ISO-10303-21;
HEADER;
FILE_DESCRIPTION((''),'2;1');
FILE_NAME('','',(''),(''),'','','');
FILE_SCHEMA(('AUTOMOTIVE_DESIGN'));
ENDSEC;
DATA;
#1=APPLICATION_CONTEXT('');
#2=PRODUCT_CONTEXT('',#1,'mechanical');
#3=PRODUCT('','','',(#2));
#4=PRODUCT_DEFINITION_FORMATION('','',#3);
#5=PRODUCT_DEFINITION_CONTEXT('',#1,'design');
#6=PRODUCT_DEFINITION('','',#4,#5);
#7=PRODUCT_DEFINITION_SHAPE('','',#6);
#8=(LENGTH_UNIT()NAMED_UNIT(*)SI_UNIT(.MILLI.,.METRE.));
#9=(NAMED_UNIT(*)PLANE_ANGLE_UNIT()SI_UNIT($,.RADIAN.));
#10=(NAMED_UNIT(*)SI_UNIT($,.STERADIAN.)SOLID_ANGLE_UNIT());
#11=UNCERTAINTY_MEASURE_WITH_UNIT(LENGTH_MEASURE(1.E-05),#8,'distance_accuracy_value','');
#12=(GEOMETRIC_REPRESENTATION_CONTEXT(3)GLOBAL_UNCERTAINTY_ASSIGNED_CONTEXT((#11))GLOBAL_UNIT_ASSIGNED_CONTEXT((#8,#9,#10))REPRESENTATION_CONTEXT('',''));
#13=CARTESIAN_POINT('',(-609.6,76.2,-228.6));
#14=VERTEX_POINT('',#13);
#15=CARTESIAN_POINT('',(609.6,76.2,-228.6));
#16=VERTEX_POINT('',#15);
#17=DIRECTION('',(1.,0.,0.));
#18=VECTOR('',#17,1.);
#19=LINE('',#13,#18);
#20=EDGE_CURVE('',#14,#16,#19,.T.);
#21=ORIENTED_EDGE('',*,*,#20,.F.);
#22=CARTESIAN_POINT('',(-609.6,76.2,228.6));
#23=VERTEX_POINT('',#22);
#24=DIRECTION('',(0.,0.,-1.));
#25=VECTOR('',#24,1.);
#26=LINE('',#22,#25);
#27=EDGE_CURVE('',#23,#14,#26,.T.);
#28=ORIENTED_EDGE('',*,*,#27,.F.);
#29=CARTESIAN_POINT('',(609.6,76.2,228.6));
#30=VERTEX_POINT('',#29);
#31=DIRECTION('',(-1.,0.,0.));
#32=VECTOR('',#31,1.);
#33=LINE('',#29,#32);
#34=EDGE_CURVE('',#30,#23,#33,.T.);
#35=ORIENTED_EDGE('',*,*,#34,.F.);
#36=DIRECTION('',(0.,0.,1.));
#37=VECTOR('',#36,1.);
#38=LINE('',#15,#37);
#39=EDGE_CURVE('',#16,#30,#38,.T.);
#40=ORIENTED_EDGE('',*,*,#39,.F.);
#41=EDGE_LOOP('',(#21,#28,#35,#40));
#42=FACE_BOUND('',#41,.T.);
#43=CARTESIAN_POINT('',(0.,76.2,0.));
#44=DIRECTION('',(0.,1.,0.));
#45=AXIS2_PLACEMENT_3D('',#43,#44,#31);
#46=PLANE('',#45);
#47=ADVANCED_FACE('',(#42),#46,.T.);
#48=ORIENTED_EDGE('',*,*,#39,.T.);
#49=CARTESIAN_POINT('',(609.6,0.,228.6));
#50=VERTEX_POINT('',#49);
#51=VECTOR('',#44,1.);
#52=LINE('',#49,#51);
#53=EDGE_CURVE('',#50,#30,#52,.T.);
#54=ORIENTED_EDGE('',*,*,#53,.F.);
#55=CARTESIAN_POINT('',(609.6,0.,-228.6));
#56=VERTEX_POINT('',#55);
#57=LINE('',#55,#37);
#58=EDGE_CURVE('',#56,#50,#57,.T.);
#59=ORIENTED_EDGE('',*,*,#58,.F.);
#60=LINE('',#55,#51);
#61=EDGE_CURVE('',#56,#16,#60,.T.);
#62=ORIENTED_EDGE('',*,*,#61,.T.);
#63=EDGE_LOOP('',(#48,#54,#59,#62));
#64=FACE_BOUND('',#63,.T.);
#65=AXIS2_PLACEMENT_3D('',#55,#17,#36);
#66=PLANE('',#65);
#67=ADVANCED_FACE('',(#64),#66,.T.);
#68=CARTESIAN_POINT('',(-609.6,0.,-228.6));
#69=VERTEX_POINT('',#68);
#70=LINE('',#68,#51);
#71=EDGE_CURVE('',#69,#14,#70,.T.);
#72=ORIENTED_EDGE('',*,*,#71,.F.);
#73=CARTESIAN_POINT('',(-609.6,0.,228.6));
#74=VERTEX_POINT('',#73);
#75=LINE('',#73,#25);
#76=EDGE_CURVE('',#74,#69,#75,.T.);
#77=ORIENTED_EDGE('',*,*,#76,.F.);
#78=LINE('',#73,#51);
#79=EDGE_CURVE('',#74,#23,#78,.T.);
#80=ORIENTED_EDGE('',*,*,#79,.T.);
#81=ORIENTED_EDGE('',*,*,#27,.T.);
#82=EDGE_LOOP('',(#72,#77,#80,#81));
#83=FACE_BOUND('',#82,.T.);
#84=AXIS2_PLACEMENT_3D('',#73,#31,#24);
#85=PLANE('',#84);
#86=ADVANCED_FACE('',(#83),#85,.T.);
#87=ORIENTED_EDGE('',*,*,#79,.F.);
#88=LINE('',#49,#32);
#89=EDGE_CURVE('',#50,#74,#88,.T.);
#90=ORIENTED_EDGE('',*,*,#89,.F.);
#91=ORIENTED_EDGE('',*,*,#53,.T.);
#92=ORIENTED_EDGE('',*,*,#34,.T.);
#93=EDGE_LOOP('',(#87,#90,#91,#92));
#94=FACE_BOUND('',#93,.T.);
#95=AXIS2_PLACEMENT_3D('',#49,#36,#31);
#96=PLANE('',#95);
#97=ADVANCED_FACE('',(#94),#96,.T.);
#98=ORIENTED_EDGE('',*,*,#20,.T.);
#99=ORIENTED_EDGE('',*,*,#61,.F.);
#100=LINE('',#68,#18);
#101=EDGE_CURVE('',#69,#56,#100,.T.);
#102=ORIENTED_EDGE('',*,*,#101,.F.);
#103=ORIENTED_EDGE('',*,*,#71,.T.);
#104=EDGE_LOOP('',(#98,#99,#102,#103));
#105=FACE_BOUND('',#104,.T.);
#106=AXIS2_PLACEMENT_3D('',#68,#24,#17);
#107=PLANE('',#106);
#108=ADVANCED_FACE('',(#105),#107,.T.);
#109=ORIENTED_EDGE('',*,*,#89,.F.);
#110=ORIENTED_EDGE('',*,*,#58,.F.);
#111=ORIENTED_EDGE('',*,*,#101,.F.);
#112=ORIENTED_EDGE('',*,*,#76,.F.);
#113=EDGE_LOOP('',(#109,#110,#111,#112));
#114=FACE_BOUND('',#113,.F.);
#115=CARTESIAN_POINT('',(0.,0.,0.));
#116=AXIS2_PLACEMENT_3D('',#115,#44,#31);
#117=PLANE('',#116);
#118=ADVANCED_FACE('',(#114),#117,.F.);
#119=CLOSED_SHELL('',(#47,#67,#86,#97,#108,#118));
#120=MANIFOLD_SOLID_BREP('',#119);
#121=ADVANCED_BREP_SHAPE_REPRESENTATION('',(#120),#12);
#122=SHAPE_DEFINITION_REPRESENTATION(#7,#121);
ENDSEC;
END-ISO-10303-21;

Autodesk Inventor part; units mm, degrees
ref_plane "YZ Plane" through (0, 0, 0) normal (1, 0, 0) x (0, 1, 0)
ref_plane "XZ Plane" through (0, 0, 0) normal (0, 1, 0) x (-1, 0, 0)
ref_plane "XY Plane" through (0, 0, 0) normal (0, 0, 1) x (1, 0, 0)
sketch "Sketch1" plane through (0, 0, 0) normal (0, 1, 0) x (-1, 0, 0)
  line L0 (609.6, -228.6) -> (-609.6, -228.6)
  line L1 (-609.6, -228.6) -> (-609.6, 228.6)
  line L2 (-609.6, 228.6) -> (609.6, 228.6)
  line L3 (609.6, 228.6) -> (609.6, -228.6)
  line L4 (609.6, -228.6) -> (-609.6, 228.6) construction
  line L5 (-609.6, -228.6) -> (609.6, 228.6) construction
  point P0 (0, 0)
  dimension "d0" = 1219.2
  dimension "d1" = 457.2
extrude "Extrusion1" add sketch "Sketch1" along normal blind 76.2
properties part number "Paver type 3-pedestrian" material "Limestone"
